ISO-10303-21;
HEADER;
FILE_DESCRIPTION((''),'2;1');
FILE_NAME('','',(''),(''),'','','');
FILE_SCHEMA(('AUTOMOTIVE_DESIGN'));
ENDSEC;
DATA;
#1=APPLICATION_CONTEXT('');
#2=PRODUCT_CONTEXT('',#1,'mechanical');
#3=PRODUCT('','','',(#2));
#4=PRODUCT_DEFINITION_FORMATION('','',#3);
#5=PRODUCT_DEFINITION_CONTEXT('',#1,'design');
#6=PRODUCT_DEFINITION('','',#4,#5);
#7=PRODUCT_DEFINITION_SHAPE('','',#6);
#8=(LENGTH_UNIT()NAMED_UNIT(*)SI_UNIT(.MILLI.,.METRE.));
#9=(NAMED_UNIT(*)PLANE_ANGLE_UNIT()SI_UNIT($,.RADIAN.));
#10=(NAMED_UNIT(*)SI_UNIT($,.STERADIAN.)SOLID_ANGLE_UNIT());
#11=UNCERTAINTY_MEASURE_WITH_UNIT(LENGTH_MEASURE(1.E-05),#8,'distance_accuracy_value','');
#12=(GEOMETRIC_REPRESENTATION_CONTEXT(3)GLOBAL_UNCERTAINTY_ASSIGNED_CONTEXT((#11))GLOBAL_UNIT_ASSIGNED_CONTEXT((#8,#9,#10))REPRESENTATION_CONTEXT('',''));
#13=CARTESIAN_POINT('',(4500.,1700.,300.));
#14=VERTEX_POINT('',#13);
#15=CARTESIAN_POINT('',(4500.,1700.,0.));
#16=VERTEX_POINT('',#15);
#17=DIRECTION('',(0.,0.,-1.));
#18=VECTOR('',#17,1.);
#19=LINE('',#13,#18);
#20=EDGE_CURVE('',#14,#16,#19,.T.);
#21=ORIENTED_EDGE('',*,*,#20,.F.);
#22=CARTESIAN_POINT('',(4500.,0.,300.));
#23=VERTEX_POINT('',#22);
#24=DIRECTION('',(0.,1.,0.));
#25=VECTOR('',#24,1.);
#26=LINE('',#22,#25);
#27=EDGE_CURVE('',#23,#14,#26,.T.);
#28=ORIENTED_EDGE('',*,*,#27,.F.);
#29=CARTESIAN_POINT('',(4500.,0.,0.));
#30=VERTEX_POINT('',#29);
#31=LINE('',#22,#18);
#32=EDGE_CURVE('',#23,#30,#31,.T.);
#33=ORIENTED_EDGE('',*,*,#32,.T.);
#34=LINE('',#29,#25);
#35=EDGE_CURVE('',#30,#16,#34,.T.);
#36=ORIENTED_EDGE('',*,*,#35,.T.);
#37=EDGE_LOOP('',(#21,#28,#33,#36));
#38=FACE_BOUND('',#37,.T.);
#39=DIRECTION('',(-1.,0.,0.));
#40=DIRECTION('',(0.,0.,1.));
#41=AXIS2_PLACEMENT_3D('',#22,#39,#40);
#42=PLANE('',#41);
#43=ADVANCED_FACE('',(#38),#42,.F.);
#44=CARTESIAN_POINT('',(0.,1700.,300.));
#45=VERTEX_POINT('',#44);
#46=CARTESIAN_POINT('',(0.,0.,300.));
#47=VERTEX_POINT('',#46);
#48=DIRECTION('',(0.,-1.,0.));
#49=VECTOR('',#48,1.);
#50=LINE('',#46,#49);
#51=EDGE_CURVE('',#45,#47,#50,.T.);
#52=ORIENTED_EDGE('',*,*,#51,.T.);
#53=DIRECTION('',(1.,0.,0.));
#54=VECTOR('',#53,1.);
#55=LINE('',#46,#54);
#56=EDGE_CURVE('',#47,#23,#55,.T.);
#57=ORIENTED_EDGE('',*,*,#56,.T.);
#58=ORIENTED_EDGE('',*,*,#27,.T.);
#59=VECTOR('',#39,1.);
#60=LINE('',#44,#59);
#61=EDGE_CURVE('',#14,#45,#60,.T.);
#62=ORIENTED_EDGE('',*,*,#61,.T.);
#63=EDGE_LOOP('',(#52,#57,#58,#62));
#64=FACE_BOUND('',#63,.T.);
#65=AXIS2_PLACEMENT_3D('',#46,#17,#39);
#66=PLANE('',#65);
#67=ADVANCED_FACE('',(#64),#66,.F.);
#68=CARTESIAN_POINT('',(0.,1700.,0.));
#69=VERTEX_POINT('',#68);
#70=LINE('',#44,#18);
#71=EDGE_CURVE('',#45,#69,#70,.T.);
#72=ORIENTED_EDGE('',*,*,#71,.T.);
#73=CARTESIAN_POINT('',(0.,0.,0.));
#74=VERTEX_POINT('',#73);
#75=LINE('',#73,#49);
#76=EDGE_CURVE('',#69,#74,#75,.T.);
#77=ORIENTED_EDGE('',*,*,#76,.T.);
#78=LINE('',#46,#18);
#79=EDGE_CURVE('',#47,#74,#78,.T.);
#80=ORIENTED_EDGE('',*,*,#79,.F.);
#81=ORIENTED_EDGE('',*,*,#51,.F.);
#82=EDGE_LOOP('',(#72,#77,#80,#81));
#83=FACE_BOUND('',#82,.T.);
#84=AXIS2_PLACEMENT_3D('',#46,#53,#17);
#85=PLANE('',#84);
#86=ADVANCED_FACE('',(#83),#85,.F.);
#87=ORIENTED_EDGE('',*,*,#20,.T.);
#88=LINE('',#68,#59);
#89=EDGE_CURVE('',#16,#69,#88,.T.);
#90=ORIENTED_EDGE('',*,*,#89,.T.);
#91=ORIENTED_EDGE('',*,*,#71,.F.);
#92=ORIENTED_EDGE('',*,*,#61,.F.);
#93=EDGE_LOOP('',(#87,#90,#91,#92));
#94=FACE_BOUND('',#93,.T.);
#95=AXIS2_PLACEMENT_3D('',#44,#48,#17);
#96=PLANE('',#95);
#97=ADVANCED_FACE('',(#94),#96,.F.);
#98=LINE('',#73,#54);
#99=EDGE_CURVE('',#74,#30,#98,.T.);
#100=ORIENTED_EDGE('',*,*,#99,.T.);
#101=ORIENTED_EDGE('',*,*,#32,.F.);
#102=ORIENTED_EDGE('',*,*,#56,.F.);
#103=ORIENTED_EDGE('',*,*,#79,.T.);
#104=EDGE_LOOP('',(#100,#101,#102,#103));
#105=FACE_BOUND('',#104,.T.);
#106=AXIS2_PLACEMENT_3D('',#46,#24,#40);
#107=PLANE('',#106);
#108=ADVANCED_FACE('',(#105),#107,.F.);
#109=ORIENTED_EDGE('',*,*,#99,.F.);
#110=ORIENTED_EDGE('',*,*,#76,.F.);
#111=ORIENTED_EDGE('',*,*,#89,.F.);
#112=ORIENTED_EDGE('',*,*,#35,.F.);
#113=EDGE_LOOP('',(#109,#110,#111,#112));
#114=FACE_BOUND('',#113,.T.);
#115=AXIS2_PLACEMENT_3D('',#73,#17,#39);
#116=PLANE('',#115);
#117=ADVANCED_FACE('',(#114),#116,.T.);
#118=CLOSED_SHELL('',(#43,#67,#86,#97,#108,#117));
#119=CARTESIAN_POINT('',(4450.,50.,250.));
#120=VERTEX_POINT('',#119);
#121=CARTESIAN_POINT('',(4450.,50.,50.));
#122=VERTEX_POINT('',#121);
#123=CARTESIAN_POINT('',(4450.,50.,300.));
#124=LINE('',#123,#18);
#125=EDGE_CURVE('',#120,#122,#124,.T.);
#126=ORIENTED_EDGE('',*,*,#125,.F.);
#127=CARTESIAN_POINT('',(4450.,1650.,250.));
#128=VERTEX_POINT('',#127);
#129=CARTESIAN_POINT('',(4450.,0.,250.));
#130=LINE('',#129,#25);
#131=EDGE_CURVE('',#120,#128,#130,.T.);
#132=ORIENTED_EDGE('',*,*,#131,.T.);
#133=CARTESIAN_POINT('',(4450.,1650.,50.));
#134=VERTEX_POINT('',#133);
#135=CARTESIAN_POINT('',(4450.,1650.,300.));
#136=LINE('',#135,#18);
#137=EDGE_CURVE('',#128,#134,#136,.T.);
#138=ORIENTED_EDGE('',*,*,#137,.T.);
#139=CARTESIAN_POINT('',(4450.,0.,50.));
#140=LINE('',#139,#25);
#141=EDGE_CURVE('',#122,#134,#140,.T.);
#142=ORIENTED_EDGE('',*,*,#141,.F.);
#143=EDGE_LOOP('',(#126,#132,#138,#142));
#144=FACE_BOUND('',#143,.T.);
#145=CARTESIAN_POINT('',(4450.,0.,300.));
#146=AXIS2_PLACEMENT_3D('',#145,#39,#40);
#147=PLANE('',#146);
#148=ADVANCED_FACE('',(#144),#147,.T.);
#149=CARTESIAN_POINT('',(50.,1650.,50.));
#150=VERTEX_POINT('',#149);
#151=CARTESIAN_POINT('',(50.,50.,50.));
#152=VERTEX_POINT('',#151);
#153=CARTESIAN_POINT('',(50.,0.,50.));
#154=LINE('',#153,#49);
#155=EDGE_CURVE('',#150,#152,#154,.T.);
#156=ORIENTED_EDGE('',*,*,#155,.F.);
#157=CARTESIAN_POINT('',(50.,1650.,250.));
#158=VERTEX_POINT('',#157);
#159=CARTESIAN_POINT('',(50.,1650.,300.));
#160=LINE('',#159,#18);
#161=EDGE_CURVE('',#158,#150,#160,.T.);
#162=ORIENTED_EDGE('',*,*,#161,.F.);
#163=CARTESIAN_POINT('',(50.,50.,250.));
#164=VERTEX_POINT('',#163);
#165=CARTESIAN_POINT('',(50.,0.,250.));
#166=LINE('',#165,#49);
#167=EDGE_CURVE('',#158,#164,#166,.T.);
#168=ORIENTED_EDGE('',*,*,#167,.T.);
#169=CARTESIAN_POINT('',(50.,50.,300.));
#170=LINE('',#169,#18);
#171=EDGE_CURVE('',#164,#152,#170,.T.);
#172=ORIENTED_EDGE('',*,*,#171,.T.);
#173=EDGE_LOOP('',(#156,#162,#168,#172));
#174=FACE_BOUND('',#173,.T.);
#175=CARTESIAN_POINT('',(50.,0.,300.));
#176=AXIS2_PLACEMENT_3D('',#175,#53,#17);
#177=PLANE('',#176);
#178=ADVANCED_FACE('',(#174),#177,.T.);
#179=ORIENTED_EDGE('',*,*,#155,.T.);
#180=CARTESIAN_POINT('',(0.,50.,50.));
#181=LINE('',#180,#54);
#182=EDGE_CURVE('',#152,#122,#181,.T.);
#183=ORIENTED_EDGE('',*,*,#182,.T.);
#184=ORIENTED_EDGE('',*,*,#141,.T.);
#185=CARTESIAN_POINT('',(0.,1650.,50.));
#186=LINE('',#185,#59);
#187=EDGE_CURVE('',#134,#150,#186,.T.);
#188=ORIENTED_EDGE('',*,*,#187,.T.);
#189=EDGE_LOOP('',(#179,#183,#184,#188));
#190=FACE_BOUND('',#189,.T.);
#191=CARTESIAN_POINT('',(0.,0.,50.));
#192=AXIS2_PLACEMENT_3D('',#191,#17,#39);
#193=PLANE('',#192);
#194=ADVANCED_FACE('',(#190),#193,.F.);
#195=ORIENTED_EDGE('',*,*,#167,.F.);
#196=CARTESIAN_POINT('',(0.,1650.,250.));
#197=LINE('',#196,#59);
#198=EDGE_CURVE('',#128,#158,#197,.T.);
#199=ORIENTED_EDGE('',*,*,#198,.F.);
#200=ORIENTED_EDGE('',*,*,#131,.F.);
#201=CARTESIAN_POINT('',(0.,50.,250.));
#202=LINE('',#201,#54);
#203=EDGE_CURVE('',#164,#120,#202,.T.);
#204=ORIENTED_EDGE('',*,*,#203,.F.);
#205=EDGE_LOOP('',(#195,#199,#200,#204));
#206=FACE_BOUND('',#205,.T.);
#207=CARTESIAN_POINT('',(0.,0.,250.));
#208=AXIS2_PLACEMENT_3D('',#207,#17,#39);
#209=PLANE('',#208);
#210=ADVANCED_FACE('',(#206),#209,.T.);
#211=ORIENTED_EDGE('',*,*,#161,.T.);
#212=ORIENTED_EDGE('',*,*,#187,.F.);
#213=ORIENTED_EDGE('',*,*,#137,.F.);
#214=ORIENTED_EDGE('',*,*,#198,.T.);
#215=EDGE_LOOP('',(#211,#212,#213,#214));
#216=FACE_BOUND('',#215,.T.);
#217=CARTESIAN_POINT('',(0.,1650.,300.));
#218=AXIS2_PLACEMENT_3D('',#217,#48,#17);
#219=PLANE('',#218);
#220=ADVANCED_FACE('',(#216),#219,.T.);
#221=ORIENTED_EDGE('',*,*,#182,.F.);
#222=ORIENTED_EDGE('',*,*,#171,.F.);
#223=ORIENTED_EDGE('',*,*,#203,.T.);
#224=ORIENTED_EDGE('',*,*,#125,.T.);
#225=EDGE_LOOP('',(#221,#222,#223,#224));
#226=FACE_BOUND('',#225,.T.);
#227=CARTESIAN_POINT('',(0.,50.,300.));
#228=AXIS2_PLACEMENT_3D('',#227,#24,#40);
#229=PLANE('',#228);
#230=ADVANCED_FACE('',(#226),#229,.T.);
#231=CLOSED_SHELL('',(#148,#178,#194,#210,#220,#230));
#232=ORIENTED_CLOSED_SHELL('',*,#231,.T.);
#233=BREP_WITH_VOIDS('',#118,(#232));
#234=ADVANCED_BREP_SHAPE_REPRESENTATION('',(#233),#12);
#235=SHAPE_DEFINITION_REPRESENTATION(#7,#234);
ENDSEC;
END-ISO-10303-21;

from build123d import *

# Parameters (mm, degrees)
SKETCH2_W           = 4500
SKETCH2_H           = 1700
BOSS_EXTRUDE1_DEPTH = 300
SHELL1_T            = 50


with BuildPart() as part:
    # Sketch2 → Boss-Extrude1 (new body)
    with BuildSketch(Plane.XY):
        with Locations((2250, 850)):
            Rectangle(SKETCH2_W, SKETCH2_H)
    extrude(amount=BOSS_EXTRUDE1_DEPTH)

    # Shell1 (no face opened: a closed hollow body)
    add(offset(amount=-SHELL1_T, mode=Mode.PRIVATE), mode=Mode.SUBTRACT)


solid = part.part
